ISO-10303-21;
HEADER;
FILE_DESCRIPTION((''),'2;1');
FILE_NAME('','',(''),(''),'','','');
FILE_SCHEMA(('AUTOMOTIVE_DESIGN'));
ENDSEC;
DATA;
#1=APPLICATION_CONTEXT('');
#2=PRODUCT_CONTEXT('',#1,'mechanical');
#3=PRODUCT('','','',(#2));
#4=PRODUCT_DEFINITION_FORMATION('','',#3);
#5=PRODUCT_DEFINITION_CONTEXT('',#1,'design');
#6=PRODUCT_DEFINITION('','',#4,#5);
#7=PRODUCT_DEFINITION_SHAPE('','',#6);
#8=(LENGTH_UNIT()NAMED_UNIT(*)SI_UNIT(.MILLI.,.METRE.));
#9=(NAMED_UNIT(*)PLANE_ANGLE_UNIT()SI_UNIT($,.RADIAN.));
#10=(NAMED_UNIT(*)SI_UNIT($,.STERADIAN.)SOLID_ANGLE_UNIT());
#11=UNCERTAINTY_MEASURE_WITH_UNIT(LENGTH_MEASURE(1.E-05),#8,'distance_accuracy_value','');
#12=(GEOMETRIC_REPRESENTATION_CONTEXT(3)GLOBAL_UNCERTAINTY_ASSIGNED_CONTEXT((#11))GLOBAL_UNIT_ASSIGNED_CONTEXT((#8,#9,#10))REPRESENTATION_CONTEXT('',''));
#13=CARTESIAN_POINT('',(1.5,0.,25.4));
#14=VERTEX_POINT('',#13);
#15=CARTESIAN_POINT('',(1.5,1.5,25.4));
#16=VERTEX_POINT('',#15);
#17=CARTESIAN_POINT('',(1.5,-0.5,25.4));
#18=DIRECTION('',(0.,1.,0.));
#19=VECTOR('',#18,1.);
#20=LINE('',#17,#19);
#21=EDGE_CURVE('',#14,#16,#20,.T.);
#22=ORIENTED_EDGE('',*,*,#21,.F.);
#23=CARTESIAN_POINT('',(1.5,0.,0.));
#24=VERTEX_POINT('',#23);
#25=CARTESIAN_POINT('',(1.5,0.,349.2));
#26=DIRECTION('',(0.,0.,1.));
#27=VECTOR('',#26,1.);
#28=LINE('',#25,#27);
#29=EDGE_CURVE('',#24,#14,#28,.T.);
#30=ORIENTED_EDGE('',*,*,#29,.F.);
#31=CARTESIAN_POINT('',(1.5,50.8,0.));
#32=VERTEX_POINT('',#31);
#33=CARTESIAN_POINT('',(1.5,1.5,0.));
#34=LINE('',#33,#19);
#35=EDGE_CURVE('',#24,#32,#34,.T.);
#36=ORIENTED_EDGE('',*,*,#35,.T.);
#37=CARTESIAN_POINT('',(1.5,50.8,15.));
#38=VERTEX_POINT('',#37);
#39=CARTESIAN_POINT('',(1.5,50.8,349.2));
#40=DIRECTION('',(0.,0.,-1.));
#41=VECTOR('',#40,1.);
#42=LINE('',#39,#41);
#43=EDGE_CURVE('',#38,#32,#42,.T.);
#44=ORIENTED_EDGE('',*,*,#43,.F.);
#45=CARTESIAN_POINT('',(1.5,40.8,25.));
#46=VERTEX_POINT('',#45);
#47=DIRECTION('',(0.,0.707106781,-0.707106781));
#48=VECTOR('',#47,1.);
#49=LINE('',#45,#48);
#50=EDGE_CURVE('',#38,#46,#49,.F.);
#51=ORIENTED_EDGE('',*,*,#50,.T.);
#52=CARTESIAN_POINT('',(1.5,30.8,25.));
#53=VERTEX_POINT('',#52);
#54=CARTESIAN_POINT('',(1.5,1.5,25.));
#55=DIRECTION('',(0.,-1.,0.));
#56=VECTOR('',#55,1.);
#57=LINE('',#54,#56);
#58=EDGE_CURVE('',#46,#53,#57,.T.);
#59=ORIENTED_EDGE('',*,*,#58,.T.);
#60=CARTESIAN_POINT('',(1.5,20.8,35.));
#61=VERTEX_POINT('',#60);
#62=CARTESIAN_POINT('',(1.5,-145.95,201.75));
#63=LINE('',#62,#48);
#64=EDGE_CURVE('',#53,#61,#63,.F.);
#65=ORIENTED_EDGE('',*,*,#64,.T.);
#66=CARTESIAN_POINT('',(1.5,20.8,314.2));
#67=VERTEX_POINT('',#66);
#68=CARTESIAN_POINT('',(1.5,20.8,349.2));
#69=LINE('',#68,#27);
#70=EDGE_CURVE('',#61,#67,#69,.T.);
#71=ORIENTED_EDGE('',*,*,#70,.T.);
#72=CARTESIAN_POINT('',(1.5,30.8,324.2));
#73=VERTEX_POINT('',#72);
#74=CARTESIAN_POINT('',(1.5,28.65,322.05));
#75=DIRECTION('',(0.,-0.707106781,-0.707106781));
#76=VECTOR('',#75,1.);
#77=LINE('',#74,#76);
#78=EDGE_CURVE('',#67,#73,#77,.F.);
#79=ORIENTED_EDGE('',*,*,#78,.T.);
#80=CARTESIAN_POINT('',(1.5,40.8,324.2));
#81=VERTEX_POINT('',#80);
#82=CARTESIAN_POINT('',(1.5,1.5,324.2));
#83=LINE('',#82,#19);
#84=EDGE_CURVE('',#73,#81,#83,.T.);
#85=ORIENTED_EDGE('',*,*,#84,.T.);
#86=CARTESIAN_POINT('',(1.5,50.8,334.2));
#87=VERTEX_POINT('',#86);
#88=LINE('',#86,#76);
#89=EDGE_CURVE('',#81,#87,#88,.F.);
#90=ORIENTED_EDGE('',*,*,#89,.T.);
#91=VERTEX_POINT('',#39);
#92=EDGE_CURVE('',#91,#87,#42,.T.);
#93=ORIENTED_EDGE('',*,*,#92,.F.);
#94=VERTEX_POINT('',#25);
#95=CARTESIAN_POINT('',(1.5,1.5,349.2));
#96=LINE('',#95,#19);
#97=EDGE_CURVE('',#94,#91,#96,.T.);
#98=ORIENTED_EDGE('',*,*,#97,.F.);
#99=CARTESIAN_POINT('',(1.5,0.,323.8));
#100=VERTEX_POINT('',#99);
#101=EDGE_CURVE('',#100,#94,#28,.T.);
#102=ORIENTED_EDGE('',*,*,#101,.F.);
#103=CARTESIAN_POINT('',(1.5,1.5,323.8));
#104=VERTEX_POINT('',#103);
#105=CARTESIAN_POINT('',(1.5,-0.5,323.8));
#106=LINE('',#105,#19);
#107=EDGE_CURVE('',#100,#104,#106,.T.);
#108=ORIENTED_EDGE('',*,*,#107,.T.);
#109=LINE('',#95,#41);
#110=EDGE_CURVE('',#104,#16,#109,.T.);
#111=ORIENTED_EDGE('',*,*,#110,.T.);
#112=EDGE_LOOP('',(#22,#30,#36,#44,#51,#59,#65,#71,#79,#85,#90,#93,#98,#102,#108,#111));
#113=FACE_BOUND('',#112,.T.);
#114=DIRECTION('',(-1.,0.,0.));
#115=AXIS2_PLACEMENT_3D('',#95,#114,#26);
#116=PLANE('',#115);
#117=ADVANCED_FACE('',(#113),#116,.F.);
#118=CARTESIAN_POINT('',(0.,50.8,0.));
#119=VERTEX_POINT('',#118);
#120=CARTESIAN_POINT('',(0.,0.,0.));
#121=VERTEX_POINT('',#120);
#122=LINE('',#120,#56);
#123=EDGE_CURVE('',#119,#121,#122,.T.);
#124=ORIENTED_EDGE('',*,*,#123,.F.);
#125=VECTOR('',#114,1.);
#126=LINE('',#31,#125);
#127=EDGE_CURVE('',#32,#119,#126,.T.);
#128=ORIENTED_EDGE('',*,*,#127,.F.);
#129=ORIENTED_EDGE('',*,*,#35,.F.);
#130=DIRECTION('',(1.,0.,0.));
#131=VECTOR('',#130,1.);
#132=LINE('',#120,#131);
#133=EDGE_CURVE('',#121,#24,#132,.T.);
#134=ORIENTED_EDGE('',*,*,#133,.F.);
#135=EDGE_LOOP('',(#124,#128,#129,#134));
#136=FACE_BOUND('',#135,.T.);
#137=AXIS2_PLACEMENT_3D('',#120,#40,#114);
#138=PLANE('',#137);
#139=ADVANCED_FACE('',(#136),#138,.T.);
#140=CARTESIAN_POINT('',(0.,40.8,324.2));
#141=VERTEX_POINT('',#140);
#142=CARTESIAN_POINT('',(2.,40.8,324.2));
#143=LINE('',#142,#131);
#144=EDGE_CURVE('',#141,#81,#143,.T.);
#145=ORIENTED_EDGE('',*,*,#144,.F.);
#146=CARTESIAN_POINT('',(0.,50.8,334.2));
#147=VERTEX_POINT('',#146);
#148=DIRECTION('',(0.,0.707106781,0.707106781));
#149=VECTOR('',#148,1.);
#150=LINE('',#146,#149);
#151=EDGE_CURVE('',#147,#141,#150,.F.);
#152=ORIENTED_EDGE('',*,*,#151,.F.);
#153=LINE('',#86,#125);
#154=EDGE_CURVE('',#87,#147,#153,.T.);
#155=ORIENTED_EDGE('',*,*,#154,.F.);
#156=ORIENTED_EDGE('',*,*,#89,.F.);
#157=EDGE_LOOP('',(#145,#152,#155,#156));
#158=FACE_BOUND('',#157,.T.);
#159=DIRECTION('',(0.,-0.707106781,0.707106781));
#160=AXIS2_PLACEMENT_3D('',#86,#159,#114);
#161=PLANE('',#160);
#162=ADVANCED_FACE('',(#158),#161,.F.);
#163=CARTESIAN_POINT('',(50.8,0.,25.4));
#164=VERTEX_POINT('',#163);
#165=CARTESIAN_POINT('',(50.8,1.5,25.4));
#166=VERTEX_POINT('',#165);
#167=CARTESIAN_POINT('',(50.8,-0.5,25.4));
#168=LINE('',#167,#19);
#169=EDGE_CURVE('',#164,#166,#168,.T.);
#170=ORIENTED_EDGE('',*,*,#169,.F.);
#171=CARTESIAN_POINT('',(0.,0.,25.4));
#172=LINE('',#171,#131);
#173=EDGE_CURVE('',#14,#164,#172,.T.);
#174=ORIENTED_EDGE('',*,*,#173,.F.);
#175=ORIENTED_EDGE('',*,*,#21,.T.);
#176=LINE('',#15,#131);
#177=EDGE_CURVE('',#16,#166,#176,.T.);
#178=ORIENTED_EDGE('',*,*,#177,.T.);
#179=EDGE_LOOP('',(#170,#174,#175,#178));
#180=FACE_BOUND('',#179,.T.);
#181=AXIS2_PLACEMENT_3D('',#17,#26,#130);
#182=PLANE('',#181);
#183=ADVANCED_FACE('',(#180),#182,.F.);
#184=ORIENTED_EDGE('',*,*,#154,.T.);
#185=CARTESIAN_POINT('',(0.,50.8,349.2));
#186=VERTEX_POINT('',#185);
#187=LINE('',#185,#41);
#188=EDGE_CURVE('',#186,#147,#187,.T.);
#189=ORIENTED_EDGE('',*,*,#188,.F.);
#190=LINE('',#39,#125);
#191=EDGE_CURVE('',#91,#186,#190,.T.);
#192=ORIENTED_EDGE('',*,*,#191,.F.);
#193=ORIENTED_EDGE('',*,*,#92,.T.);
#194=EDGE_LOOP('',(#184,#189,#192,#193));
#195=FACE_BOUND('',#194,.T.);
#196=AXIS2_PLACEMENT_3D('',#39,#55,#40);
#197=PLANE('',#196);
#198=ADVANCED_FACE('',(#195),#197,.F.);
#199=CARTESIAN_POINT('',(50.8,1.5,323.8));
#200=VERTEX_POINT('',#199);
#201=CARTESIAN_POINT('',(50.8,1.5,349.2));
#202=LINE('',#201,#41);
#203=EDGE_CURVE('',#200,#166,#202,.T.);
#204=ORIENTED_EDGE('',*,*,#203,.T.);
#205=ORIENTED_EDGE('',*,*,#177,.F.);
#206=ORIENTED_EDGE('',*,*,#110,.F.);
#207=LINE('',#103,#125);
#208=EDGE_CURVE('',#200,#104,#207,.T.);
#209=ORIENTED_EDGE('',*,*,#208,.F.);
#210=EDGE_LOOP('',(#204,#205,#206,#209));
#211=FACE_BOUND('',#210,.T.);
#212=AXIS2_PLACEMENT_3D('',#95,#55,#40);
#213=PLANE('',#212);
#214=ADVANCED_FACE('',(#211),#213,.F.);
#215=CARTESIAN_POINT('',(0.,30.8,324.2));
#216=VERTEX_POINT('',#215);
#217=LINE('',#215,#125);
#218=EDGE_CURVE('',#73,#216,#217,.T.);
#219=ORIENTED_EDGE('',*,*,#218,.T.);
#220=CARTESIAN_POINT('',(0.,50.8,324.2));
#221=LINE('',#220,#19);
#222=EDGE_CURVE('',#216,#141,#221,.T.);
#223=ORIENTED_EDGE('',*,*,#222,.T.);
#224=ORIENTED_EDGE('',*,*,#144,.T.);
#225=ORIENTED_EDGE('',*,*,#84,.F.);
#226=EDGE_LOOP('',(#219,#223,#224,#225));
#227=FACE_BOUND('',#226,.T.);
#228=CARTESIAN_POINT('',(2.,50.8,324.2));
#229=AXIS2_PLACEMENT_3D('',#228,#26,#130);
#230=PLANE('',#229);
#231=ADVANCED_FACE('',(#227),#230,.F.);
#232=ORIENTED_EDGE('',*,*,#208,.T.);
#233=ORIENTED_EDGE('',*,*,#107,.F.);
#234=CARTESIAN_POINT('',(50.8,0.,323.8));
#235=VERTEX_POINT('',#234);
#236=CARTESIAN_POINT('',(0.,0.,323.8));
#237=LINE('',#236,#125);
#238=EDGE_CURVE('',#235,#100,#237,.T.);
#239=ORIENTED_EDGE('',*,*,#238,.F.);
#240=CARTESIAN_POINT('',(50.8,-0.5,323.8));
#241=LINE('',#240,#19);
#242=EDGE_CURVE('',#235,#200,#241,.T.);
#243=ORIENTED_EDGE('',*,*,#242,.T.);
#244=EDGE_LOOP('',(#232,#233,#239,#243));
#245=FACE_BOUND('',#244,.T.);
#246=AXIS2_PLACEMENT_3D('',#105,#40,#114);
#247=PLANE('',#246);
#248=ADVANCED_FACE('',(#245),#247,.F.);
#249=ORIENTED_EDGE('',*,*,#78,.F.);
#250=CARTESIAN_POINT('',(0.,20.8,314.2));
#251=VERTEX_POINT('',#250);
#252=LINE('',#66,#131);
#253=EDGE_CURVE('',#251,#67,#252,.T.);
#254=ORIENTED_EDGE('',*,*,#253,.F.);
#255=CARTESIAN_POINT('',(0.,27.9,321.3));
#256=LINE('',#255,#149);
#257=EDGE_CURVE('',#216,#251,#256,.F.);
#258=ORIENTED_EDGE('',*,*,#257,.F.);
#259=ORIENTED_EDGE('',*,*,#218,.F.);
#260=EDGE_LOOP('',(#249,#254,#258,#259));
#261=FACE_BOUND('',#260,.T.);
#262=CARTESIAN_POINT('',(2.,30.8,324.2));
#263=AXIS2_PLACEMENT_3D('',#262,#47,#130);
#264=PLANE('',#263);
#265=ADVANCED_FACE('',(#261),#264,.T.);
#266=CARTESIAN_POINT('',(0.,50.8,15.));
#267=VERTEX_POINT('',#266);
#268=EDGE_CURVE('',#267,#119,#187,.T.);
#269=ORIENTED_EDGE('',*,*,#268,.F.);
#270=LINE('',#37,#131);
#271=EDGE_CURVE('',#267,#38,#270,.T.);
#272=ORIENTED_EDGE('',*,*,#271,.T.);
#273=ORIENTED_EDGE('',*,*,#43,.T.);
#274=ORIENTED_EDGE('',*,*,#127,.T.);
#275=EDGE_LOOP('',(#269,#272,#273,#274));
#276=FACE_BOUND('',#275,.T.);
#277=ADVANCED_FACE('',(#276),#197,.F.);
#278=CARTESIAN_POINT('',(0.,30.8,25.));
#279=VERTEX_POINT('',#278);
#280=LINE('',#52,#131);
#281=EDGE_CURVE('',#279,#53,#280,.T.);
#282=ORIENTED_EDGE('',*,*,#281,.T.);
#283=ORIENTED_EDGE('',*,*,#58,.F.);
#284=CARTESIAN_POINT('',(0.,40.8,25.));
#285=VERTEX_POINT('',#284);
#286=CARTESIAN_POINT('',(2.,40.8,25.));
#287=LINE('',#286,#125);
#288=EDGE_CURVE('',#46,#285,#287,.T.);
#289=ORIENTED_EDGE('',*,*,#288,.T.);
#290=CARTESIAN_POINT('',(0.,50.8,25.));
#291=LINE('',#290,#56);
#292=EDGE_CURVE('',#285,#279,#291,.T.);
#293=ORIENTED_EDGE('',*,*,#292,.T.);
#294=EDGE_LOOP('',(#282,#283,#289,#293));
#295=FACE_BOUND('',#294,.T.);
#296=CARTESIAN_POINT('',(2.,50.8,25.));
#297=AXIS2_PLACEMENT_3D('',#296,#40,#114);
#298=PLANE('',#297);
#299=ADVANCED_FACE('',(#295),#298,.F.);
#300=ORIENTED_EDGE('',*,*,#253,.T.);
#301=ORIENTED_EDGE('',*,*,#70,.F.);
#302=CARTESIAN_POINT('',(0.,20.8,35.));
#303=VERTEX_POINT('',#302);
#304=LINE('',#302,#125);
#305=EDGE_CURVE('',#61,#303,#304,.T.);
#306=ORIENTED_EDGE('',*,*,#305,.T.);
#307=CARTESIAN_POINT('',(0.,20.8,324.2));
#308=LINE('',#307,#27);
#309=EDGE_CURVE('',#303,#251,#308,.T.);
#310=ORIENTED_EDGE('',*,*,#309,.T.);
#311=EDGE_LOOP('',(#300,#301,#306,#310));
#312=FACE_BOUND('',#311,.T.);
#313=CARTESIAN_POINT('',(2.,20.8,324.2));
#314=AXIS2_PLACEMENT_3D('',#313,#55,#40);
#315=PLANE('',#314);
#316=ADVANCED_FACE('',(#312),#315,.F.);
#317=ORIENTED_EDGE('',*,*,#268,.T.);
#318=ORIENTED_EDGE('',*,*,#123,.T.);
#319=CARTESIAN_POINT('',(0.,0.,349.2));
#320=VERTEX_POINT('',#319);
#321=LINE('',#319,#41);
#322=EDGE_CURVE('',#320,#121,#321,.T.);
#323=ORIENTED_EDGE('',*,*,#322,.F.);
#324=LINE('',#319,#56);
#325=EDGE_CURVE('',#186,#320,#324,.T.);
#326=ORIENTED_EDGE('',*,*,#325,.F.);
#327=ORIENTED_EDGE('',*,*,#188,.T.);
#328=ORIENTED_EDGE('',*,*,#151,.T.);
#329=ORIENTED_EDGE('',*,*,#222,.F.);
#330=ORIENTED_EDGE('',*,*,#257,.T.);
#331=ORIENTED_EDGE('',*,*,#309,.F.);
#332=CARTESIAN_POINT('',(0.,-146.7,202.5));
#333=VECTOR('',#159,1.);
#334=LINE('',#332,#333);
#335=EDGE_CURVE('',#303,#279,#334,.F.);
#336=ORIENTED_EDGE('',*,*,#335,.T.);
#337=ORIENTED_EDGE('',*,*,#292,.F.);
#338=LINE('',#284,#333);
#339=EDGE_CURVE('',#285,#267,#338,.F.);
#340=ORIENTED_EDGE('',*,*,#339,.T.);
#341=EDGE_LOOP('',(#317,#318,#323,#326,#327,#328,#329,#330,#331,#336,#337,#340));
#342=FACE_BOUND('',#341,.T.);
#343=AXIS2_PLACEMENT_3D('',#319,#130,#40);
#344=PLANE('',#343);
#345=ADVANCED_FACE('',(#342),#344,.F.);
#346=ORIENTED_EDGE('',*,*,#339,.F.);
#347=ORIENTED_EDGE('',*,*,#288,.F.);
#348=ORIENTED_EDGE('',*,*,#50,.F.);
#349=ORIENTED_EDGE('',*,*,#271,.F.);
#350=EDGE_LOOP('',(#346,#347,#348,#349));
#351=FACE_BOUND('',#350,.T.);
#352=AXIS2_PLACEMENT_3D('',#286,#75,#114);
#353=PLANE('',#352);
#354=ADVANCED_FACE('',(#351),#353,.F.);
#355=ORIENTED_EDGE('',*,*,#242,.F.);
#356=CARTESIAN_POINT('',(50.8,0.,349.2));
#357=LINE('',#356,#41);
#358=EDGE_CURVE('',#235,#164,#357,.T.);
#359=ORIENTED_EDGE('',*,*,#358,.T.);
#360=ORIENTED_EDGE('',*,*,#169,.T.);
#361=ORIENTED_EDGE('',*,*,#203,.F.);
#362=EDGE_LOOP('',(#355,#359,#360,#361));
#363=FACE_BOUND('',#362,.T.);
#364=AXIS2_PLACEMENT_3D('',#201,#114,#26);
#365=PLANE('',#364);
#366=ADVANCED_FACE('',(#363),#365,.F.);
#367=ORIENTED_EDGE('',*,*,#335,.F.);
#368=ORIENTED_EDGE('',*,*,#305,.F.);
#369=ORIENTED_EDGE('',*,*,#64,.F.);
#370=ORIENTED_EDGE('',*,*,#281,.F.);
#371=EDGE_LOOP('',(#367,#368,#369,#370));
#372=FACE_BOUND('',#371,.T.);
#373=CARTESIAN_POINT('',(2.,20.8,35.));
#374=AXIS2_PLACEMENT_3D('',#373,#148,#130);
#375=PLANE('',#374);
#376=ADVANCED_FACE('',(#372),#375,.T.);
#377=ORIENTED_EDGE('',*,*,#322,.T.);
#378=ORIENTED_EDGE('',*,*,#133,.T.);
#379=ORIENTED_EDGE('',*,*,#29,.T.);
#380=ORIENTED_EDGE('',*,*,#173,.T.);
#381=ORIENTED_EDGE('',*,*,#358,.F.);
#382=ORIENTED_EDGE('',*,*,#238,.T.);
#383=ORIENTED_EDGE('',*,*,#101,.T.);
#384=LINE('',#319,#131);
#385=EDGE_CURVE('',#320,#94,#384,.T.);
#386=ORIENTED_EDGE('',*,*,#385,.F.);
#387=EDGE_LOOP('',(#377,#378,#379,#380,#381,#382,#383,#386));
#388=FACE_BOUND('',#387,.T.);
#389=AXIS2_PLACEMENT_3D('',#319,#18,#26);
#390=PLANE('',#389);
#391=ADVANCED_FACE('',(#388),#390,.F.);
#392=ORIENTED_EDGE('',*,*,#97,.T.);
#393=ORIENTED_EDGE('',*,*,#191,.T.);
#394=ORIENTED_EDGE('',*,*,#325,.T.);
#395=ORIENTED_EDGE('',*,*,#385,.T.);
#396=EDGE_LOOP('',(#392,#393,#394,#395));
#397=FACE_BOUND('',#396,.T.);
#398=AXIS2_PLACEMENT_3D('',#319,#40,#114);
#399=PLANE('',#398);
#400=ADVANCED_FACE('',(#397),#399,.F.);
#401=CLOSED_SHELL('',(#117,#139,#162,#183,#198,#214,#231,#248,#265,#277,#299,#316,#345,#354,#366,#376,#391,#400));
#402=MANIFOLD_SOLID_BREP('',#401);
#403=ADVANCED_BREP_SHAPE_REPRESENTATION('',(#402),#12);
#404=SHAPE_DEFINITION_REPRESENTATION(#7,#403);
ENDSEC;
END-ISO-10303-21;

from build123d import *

# Parameters (mm, degrees)
SALIENTE_EXTRUIR1_DEPTH = 349.2
CROQUIS2_R              = 4
CORTAR_EXTRUIR1_DEPTH   = 2
CROQUIS4_W              = 49.3
CROQUIS4_H              = 25.4
CORTAR_EXTRUIR2_DEPTH   = 2
CROQUIS5_W              = 299.2
CROQUIS5_H              = 30
CORTAR_EXTRUIR3_DEPTH   = 2
CHAFL_N1_SIZE           = 10


with BuildPart() as part:
    # Croquis1 → Saliente-Extruir1 (new body)
    with BuildSketch(Plane.XY):
        Polygon((0, 0), (0, 50.8), (1.5, 50.8), (1.5, 1.5), (50.8, 1.5), (50.8, 0), align=None)
    extrude(amount=SALIENTE_EXTRUIR1_DEPTH)

    # Croquis2 → Cortar-Extruir1 (cut)
    with BuildSketch(Plane.ZY):
        with Locations((126.6, 25.4)):
            Circle(CROQUIS2_R)
        with Locations((222.6, 25.4)):
            Circle(CROQUIS2_R)
        with Locations((30.6, 25.4)):
            Circle(CROQUIS2_R)
        with Locations((318.6, 25.4)):
            Circle(CROQUIS2_R)
    extrude(amount=-CORTAR_EXTRUIR1_DEPTH, mode=Mode.SUBTRACT)

    # Croquis4 → Cortar-Extruir2 (cut)
    with BuildSketch(Plane(origin=(0, 1.5, 0), x_dir=(1, 0, 0), z_dir=(0, 1, 0))):
        with Locations((26.15, -12.7)):
            Rectangle(CROQUIS4_W, CROQUIS4_H)
        with Locations((26.15, -336.5)):
            Rectangle(CROQUIS4_W, CROQUIS4_H)
    extrude(amount=-CORTAR_EXTRUIR2_DEPTH, mode=Mode.SUBTRACT)

    # Croquis5 → Cortar-Extruir3 (cut)
    with BuildSketch(Plane.ZY):
        with Locations((174.6, 35.8)):
            Rectangle(CROQUIS5_W, CROQUIS5_H)
    extrude(amount=-CORTAR_EXTRUIR3_DEPTH, mode=Mode.SUBTRACT)

    # Chaflán1
    chafl_n1_edges = [part.edges().sort_by_distance(p)[0] for p in [
        (0.75, 50.8, 25),
        (0.75, 50.8, 324.2),
        (0.75, 20.8, 324.2),
        (0.75, 20.8, 25),
    ]]
    chamfer(chafl_n1_edges, length=CHAFL_N1_SIZE)


solid = part.part
